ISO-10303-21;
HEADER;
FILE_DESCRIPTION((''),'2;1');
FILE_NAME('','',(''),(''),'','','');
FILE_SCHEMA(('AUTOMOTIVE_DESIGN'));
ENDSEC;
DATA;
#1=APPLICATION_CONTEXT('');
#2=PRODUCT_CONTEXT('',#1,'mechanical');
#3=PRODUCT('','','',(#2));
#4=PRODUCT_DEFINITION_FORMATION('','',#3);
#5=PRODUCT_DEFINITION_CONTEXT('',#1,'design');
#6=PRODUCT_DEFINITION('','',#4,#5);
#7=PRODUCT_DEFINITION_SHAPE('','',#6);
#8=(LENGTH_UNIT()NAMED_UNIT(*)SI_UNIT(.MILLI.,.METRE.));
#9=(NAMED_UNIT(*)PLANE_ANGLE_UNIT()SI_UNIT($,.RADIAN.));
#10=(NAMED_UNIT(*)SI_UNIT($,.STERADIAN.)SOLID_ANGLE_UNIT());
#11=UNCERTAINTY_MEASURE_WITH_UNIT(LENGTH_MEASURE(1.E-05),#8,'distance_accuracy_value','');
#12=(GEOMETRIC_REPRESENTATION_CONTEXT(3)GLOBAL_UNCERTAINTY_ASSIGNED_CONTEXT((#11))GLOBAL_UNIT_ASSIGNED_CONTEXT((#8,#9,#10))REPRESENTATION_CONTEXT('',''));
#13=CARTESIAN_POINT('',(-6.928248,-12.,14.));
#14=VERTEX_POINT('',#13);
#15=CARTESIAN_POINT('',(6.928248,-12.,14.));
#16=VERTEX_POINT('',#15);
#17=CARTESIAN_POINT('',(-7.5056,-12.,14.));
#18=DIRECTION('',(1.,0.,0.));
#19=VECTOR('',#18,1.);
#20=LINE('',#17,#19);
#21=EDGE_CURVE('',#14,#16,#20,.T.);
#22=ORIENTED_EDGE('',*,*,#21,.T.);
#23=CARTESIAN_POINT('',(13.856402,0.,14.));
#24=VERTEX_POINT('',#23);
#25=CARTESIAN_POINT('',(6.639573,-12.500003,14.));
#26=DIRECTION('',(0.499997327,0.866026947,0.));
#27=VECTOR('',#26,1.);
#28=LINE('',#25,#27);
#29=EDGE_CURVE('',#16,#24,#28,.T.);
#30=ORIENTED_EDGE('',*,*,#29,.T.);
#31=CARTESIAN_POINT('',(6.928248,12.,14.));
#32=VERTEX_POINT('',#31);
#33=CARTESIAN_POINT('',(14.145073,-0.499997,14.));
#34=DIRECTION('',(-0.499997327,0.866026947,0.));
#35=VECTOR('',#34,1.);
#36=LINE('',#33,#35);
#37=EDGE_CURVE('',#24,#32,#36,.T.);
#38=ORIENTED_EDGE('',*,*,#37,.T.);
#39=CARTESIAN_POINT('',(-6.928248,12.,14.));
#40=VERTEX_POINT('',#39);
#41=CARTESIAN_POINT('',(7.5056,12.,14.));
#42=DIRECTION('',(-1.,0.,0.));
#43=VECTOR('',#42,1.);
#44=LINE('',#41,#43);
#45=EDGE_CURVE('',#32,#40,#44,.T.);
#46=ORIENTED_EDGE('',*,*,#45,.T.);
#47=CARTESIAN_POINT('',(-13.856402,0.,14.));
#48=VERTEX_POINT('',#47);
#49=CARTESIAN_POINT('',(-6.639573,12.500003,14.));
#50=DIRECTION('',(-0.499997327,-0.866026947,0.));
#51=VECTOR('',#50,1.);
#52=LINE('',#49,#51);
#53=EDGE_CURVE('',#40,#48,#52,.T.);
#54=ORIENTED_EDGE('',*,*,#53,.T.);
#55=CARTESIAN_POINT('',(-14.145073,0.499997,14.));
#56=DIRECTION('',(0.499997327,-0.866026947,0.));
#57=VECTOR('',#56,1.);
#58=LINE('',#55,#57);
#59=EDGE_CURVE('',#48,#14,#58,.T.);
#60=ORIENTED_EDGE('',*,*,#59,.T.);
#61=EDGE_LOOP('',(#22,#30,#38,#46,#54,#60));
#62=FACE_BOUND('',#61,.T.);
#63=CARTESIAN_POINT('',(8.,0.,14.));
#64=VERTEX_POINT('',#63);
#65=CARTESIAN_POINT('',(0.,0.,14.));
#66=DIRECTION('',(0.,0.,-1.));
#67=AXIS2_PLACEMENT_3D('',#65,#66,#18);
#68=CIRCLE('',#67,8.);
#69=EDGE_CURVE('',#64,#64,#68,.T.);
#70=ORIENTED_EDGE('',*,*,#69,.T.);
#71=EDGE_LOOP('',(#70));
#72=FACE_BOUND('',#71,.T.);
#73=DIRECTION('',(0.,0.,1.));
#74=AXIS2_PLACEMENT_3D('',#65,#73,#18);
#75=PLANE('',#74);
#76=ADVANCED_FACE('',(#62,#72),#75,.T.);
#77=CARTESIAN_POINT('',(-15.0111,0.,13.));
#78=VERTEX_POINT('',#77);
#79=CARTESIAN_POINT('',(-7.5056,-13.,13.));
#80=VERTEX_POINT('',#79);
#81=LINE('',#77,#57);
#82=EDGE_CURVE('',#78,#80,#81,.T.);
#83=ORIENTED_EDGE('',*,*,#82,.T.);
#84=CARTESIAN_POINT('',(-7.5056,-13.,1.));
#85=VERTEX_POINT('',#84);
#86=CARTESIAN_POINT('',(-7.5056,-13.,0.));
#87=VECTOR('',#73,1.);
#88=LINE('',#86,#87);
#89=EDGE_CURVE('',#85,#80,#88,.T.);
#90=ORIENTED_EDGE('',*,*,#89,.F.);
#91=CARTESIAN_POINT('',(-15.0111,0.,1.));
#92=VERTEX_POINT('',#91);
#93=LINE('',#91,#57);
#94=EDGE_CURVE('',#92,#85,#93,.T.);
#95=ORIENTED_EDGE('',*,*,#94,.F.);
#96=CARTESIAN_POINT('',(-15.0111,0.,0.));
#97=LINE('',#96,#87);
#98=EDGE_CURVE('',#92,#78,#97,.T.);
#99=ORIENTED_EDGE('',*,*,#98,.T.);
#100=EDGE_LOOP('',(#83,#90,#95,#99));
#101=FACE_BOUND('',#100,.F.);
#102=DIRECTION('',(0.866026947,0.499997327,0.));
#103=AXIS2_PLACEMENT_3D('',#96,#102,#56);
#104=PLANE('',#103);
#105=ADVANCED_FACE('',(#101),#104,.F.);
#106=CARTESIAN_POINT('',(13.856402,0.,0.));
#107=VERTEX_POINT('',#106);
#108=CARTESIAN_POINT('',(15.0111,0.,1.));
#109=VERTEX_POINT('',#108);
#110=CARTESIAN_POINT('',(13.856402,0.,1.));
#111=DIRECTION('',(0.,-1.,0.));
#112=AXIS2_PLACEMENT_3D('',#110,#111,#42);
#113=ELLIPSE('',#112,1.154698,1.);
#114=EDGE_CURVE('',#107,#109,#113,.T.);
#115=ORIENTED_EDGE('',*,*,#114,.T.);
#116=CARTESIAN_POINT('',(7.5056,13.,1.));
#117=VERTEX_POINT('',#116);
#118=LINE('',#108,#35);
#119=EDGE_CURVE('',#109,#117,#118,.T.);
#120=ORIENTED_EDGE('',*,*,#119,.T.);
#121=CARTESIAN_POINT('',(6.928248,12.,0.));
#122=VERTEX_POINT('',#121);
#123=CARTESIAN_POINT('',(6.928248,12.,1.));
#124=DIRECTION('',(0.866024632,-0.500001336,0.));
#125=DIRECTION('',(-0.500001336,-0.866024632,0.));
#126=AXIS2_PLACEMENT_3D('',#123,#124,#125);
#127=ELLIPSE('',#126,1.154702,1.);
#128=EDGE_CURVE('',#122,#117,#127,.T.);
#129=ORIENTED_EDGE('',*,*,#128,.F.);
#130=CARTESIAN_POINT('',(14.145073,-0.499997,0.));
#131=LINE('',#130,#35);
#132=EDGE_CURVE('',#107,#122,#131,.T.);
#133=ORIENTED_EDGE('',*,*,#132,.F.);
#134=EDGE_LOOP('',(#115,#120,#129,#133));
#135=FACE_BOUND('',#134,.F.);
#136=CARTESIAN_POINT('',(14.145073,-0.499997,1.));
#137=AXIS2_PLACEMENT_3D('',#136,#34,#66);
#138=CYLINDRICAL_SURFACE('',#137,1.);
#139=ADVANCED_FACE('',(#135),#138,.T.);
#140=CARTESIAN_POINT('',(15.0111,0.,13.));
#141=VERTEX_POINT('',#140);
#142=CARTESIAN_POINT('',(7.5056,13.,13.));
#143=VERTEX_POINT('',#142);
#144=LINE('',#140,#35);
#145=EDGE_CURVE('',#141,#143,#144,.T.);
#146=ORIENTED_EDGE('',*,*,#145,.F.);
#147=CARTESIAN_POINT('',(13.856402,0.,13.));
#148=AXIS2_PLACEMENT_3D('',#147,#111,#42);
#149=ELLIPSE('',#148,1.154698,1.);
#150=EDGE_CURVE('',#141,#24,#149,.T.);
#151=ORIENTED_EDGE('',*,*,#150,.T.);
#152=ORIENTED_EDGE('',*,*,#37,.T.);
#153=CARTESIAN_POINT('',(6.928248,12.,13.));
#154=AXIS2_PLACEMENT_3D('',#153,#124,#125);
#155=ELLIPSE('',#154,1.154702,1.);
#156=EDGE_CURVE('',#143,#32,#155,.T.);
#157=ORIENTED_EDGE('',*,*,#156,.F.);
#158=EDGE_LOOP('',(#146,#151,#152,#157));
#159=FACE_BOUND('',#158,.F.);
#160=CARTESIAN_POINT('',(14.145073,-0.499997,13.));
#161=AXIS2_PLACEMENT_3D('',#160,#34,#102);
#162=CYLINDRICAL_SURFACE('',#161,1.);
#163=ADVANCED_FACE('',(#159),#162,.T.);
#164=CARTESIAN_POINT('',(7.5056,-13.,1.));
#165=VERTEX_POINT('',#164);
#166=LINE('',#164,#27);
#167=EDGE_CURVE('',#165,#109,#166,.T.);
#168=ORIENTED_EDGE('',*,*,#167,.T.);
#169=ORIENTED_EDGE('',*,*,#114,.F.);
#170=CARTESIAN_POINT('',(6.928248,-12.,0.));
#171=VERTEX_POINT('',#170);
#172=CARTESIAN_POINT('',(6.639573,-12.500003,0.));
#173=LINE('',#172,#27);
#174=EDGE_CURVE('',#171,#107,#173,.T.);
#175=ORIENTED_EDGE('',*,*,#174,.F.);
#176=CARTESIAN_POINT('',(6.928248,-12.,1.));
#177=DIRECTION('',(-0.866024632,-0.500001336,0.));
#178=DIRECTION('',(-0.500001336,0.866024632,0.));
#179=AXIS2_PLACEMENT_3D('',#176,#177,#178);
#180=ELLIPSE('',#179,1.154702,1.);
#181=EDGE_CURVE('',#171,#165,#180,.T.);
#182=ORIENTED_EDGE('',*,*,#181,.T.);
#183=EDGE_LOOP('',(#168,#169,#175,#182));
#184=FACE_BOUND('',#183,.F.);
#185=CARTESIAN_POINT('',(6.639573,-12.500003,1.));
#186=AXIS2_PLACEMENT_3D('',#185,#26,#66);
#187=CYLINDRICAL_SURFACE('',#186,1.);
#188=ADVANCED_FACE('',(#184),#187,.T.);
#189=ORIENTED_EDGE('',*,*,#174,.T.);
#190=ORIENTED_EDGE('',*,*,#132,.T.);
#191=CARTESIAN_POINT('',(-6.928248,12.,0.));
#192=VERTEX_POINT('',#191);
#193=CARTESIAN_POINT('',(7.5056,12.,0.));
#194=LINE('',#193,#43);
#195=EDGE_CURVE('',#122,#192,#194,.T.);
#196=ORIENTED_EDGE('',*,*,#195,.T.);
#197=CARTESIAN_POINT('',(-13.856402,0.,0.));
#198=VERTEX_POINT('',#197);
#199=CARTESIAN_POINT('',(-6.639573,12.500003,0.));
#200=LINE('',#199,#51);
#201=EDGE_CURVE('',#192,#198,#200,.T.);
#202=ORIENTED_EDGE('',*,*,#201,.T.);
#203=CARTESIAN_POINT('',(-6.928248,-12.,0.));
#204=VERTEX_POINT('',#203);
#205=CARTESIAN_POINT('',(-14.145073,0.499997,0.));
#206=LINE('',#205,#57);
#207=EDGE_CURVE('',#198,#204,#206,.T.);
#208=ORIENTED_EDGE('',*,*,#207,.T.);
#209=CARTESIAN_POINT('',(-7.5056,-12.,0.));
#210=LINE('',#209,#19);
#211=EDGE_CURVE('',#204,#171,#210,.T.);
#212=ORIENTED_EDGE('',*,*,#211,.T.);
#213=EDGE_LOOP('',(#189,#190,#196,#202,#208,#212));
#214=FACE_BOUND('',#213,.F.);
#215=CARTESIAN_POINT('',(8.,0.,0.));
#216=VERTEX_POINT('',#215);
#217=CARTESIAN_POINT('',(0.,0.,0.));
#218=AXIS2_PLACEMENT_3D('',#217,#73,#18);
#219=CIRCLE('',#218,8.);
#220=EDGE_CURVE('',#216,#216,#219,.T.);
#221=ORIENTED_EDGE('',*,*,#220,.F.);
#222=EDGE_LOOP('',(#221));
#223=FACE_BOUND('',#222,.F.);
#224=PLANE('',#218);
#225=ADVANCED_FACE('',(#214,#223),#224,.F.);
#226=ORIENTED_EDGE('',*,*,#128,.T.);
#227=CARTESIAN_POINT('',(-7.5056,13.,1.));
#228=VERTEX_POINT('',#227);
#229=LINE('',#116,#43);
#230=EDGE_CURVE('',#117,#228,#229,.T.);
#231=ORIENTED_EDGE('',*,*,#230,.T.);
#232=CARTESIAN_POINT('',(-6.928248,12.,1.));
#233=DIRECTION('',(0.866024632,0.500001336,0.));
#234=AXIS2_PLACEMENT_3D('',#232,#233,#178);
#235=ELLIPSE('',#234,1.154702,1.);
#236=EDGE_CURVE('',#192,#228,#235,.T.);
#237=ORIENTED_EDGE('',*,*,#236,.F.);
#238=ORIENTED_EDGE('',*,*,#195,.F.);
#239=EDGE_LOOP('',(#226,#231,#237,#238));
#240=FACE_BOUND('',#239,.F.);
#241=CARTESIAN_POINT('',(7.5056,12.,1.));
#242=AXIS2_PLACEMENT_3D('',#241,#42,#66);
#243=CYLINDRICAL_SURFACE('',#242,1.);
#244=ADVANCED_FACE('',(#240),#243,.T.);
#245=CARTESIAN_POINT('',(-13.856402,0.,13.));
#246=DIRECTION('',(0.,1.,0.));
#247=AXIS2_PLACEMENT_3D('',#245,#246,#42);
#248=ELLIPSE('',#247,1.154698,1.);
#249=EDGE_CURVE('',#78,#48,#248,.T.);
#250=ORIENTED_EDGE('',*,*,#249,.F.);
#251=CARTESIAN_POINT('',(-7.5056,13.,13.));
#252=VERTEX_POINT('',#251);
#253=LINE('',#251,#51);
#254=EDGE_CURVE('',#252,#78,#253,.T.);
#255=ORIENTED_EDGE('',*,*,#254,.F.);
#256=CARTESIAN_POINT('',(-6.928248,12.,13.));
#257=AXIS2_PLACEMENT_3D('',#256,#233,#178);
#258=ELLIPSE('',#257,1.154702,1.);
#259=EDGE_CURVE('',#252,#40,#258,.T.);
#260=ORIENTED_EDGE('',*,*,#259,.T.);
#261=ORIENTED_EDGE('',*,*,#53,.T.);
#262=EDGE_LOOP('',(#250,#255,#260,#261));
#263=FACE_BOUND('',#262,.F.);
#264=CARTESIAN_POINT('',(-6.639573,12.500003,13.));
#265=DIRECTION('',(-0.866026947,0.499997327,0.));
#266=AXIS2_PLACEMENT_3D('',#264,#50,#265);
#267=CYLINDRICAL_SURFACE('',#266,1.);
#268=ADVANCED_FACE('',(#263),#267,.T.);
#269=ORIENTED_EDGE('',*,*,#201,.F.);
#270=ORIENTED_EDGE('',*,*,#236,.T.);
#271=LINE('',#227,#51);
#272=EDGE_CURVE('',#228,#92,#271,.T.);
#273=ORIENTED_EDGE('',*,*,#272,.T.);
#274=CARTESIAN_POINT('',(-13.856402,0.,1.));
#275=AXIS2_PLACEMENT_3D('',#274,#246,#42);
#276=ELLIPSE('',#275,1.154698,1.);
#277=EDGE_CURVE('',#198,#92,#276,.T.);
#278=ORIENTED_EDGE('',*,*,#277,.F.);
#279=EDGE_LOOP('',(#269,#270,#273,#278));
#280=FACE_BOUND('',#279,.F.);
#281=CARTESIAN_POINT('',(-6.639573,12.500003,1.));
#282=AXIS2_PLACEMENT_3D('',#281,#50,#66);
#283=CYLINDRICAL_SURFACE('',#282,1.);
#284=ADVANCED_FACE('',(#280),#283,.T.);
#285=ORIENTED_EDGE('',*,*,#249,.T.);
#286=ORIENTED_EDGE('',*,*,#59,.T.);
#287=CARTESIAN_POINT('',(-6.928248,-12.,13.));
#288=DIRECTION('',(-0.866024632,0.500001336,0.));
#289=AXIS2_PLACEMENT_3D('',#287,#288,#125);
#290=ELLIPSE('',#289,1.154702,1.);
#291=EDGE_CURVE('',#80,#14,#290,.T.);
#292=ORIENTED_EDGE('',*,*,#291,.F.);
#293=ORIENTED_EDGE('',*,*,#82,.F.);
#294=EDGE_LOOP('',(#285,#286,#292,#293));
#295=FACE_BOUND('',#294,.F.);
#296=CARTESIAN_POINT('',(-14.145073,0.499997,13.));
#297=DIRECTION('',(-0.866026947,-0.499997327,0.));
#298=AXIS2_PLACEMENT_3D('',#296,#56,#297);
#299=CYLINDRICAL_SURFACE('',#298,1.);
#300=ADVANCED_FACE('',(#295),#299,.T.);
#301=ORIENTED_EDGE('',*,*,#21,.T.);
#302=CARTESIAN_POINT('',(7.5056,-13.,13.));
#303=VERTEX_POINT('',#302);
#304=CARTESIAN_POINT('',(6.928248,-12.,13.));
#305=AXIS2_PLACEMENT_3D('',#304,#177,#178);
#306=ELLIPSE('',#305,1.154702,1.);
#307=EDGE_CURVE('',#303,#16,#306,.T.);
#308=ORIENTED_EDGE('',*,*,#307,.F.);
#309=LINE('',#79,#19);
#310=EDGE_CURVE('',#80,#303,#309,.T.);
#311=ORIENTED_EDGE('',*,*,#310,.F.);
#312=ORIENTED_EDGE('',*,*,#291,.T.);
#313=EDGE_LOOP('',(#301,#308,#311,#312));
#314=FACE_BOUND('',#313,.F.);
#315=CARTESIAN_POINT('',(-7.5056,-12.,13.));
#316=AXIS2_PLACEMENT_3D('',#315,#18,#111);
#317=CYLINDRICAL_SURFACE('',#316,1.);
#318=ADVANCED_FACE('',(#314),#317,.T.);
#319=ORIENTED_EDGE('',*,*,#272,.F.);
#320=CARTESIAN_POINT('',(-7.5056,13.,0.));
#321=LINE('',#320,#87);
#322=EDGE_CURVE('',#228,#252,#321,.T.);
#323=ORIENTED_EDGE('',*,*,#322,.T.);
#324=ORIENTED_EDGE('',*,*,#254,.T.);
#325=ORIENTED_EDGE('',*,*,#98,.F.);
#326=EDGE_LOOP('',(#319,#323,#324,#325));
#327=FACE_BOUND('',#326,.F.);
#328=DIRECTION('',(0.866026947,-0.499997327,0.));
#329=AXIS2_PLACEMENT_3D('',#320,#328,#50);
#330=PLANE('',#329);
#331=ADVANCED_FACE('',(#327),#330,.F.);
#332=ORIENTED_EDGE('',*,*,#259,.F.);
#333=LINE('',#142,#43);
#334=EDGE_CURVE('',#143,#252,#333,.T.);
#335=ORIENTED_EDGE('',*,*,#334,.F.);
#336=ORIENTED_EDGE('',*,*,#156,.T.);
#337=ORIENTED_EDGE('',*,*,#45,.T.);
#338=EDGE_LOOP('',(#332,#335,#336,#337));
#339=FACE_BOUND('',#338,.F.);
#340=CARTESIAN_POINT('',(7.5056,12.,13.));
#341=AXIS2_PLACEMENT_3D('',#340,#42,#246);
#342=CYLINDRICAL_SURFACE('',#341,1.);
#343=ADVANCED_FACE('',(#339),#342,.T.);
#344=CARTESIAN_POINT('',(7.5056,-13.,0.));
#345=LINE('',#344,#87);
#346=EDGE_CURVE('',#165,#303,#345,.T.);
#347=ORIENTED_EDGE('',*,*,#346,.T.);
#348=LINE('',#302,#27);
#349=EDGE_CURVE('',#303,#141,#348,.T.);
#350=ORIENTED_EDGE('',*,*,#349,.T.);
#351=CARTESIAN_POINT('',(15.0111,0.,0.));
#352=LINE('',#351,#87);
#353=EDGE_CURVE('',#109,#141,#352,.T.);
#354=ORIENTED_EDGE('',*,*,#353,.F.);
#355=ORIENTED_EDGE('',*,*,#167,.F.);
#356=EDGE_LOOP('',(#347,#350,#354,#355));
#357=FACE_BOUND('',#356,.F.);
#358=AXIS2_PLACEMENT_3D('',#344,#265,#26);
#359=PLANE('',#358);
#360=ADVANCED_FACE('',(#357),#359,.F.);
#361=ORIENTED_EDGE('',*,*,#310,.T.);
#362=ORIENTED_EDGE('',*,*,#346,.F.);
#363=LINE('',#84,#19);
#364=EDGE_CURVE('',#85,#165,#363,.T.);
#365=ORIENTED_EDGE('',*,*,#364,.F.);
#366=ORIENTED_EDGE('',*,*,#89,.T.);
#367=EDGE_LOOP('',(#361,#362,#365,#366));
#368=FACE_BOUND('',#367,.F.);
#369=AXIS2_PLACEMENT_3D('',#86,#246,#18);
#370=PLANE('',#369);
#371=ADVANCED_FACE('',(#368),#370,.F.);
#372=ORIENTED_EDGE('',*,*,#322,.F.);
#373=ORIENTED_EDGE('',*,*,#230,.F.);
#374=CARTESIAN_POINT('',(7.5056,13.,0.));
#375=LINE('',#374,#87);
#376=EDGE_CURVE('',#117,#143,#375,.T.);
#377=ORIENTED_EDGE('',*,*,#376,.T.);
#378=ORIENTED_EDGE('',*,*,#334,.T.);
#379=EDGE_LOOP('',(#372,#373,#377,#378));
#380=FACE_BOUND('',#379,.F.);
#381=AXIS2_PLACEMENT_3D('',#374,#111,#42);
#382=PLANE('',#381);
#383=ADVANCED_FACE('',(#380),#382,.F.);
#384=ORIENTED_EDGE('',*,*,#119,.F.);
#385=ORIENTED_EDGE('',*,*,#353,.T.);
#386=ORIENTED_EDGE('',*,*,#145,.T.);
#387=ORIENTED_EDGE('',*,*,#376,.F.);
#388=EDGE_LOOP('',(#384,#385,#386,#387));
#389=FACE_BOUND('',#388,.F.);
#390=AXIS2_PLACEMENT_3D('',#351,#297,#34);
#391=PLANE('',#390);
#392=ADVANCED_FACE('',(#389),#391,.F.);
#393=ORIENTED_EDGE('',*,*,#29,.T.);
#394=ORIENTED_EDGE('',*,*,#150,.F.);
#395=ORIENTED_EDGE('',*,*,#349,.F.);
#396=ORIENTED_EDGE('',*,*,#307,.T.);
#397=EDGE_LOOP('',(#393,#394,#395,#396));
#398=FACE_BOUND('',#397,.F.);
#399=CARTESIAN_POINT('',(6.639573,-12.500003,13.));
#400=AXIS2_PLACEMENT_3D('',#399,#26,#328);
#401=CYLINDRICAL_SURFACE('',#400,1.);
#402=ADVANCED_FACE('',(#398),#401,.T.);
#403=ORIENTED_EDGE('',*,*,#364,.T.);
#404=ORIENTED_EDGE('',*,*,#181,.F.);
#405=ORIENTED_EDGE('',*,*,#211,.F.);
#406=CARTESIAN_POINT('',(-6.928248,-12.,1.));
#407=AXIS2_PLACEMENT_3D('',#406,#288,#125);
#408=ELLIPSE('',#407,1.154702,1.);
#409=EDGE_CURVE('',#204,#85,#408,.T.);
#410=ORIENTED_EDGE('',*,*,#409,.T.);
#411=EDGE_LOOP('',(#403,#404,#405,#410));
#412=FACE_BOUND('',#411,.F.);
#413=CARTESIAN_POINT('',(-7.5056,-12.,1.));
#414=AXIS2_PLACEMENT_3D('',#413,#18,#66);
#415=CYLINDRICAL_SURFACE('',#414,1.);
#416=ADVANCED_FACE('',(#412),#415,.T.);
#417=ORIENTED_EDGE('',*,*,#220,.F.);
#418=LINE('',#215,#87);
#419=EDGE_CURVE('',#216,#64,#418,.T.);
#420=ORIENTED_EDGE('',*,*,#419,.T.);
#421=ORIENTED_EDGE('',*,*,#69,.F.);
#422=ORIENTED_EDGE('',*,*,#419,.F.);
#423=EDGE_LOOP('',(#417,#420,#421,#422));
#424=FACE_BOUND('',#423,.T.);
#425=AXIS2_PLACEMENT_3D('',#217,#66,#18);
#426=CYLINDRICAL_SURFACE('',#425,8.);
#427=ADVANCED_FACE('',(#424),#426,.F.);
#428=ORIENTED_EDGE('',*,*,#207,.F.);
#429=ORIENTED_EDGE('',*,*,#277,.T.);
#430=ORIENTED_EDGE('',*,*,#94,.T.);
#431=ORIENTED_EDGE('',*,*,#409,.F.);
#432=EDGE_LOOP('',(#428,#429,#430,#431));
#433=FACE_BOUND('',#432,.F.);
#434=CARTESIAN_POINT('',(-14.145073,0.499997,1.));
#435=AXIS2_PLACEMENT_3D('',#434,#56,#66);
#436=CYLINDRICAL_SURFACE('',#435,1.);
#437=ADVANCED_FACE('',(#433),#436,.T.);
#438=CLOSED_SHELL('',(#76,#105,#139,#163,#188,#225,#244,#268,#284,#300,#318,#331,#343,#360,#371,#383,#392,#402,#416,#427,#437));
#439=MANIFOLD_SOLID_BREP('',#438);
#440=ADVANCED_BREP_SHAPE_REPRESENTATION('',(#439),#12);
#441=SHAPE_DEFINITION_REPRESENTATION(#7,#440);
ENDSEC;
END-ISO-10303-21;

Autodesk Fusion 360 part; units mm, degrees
sketch "Sketch1" plane through (0, 0, 0) normal (0, 0, 1) x (1, 0, 0)
  circle A0 centre (0, 0) radius 8
  line L0 (0, 0) -> (0, 8) construction
  line L1 (0, 0) -> (-8, 0) construction
  line L2 (0, 0) -> (8, 0) construction
  line L3 (0, 0) -> (0, -8) construction
  line L4 (-4.6188, 8) -> (-9.2376, 0) construction
  line L5 (-9.2376, 0) -> (-4.6188, -8) construction
  line L6 (-4.6188, -8) -> (4.6188, -8) construction
  line L7 (4.6188, -8) -> (9.2376, 0) construction
  line L8 (9.2376, 0) -> (4.6188, 8) construction
  line L9 (4.6188, 8) -> (-4.6188, 8) construction
  line L10 (-7.5056, -13) -> (7.5056, -13)
  line L11 (7.5056, -13) -> (15.0111, 0)
  line L12 (15.0111, 0) -> (7.5056, 13)
  line L13 (7.5056, 13) -> (-7.5056, 13)
  line L14 (-7.5056, 13) -> (-15.0111, 0)
  line L15 (-15.0111, 0) -> (-7.5056, -13)
  dimension "d1" = 16
  dimension "d4" = 5
extrude "Extrude3" add sketch "Sketch1" along normal blind 14 contours A0 | L10 L11 L12 L13 L14 L15
extrude "Extrude4" cut sketch "Sketch1" along normal through all contours A0
fillet "Fillet2" radius 1 12 edges at (0, 13, 14) (0, 13, 0) (11.2583, 6.5, 14) (11.2583, 6.5, 0) (11.2583, -6.5, 14) (11.2583, -6.5, 0) (-11.2583, 6.5, 14) (-11.2583, 6.5, 0) (-11.2583, -6.5, 0) (-11.2583, -6.5, 14) (0, -13, 0) (0, -13, 14)
thread "Thread2"
